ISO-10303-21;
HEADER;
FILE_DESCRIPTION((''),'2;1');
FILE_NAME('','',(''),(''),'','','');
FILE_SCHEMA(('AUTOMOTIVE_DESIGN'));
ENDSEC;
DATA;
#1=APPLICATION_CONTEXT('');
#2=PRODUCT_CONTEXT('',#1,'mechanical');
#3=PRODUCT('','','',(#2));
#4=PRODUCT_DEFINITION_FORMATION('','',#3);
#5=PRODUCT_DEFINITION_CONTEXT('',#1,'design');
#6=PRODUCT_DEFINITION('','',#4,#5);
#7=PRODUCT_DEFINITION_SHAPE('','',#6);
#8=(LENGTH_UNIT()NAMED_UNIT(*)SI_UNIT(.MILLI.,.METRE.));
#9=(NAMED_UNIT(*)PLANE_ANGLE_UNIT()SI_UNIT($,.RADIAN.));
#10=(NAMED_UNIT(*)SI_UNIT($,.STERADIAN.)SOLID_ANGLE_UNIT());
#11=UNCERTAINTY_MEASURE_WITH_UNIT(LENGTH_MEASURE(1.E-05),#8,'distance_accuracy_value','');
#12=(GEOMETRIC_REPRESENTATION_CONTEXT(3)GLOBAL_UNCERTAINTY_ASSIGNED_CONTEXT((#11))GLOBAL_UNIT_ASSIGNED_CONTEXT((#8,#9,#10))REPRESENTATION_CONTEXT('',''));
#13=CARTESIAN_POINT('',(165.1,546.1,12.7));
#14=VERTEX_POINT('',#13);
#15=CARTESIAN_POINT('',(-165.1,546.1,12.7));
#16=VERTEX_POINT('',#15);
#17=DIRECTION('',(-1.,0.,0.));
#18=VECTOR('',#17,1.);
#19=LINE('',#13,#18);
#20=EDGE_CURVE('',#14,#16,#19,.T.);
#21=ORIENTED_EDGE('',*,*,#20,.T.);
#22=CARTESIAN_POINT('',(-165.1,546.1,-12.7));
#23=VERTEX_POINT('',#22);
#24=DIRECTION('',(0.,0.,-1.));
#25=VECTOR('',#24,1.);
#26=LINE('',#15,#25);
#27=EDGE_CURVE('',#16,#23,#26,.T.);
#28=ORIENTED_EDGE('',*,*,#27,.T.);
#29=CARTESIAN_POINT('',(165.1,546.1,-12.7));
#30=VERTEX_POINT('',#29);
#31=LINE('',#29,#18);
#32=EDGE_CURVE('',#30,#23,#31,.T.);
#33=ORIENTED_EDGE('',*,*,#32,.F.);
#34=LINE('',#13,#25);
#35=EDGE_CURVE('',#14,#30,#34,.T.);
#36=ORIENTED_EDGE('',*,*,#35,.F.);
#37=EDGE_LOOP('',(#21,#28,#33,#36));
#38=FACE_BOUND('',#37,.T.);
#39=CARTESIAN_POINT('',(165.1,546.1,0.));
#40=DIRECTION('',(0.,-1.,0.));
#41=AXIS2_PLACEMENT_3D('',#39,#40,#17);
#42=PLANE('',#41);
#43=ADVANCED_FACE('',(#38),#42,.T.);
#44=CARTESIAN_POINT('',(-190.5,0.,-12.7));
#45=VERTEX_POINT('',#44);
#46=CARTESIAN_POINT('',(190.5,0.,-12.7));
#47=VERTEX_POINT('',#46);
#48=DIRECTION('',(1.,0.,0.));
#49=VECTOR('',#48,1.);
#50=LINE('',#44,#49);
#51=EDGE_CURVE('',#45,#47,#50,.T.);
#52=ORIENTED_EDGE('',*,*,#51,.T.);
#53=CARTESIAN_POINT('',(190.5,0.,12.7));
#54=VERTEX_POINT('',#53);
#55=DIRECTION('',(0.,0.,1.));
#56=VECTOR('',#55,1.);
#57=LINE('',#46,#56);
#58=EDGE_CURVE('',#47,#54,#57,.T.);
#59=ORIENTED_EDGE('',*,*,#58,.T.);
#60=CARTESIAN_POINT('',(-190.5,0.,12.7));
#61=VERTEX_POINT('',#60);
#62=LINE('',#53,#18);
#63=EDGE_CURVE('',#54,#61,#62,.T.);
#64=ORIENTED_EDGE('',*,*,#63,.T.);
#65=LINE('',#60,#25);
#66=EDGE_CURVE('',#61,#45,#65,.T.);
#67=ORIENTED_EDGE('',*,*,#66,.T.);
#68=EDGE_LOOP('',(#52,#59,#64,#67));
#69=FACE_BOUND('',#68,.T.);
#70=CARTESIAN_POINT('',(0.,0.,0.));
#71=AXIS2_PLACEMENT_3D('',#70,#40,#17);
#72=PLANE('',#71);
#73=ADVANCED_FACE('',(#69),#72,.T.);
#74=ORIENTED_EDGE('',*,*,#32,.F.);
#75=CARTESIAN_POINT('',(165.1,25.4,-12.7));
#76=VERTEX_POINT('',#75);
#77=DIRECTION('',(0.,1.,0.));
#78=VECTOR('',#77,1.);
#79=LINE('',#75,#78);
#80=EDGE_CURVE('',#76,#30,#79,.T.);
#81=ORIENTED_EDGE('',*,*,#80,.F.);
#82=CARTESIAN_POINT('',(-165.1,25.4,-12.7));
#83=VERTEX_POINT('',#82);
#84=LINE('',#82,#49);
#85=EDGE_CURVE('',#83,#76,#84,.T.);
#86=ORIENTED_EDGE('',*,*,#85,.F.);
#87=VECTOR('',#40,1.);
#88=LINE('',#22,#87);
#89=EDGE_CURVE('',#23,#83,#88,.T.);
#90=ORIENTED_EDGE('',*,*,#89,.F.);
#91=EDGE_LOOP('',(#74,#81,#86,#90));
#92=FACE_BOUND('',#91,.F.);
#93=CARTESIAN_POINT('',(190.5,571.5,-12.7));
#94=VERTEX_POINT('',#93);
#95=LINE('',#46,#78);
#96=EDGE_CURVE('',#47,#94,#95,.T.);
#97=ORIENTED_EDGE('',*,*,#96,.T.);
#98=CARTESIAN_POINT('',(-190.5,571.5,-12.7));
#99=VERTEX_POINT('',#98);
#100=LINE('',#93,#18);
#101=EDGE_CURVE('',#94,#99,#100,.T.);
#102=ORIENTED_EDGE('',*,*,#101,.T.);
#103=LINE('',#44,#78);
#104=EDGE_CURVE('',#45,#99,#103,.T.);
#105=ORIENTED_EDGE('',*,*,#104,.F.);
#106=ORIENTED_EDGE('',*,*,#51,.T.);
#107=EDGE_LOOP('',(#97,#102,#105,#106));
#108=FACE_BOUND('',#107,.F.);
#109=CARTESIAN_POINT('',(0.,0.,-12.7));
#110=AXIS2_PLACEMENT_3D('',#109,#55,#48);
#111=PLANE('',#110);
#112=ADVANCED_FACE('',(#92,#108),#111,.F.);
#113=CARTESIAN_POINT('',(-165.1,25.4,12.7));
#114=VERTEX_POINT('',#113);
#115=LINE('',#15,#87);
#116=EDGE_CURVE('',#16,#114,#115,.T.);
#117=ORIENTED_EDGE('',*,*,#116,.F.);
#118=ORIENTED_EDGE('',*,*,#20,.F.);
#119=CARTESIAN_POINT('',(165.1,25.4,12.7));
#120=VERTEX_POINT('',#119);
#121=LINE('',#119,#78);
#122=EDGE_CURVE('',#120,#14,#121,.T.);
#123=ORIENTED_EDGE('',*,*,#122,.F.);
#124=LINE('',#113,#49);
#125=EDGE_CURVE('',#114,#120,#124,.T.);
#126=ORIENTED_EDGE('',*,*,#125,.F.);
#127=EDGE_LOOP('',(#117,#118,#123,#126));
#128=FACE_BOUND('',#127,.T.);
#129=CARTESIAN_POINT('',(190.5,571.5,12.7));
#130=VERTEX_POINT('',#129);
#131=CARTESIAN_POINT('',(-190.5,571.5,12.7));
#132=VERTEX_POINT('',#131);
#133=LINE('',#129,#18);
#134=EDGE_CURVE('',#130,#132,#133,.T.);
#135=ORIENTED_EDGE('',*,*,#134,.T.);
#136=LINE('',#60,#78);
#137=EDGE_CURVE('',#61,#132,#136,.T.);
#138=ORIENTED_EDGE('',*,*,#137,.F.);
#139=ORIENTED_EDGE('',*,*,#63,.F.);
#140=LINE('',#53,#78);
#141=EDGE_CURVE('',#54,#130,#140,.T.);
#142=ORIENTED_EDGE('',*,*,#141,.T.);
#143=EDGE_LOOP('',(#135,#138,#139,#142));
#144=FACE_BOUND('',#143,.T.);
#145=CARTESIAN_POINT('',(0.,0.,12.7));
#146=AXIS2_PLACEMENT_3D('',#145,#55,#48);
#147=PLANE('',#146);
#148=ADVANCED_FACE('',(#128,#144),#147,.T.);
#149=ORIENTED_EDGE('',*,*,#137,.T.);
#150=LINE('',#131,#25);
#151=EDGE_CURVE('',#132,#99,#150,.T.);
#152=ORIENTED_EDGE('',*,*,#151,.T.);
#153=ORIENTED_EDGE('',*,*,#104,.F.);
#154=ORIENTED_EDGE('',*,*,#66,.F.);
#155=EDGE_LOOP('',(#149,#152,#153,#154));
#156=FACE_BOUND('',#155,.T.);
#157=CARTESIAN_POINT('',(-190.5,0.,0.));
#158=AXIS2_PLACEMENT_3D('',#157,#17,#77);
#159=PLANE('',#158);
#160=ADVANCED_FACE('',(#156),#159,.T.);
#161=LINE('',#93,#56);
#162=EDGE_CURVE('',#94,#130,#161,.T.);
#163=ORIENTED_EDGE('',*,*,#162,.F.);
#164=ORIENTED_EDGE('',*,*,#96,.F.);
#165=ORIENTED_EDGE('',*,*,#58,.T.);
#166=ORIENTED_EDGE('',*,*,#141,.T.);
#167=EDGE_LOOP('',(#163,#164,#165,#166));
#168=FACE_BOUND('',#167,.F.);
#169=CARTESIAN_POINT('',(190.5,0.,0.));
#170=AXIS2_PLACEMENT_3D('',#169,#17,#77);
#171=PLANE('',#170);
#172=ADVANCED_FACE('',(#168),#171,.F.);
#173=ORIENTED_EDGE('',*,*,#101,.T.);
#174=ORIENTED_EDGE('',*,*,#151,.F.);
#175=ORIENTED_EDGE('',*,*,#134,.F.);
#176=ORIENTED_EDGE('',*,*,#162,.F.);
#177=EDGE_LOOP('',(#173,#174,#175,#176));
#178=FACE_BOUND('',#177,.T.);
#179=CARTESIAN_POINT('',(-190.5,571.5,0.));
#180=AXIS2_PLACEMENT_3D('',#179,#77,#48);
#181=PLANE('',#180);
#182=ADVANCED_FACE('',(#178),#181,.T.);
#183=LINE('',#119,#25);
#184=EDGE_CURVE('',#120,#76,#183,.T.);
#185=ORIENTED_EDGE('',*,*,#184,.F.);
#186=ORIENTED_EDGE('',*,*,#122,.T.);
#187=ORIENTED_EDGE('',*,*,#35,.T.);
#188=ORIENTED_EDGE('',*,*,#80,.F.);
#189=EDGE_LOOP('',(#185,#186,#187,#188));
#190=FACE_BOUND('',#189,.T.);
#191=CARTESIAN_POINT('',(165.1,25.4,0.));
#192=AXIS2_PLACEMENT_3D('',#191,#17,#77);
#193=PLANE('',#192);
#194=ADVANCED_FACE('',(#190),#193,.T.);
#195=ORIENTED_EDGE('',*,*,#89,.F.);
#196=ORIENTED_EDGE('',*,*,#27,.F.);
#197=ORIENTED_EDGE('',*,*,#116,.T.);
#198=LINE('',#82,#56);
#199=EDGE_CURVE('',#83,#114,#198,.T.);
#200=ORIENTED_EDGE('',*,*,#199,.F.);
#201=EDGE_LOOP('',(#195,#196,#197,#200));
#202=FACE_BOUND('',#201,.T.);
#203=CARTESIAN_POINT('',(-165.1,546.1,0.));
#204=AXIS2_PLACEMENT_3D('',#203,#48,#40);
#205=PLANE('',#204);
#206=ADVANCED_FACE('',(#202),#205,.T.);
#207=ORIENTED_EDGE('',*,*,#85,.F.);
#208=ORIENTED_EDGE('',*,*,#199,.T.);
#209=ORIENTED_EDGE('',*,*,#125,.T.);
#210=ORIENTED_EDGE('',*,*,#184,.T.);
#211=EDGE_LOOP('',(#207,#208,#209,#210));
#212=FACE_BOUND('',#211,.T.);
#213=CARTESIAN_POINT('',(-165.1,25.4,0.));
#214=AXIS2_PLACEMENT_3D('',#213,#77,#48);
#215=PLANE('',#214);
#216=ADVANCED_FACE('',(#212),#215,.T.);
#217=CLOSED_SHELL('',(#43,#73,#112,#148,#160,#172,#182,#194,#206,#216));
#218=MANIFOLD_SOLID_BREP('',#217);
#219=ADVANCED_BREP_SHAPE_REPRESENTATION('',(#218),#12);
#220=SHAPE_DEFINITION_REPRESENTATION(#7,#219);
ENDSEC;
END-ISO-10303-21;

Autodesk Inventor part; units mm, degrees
ref_plane "XZ Plane" through (0, 0, 0) normal (0, 1, 0) x (-1, 0, 0)
ref_plane "XY Plane" through (0, 0, 0) normal (0, 0, 1) x (1, 0, 0)
sketch "Sketch1" plane through (0, 0, 0) normal (0, 0, 1) x (1, 0, 0)
  line L0 (0, 0) -> (190.5, 0)
  line L1 (190.5, 0) -> (190.5, 571.5)
  line L2 (190.5, 571.5) -> (0, 571.5)
  line L3 (0, 0) -> (0, 571.5) construction
  line L4 (0, 0) -> (-190.5, 0)
  line L5 (-190.5, 0) -> (-190.5, 571.5)
  line L6 (-190.5, 571.5) -> (0, 571.5)
  line L7 (-165.1, 25.4) -> (165.1, 25.4)
  line L8 (165.1, 25.4) -> (165.1, 546.1)
  line L9 (165.1, 546.1) -> (-165.1, 546.1)
  line L10 (-165.1, 546.1) -> (-165.1, 25.4)
  dimension "d1" = 571.5
  dimension "d2" = 381
  dimension "d3" = 25.4
  dimension "d4" = 25.4
  dimension "d5" = 25.4
  dimension "d6" = 25.4
extrude "Extrusion1" add sketch "Sketch1" along normal mid plane 25.4
properties part number "primative4thStageForShortRobot"
